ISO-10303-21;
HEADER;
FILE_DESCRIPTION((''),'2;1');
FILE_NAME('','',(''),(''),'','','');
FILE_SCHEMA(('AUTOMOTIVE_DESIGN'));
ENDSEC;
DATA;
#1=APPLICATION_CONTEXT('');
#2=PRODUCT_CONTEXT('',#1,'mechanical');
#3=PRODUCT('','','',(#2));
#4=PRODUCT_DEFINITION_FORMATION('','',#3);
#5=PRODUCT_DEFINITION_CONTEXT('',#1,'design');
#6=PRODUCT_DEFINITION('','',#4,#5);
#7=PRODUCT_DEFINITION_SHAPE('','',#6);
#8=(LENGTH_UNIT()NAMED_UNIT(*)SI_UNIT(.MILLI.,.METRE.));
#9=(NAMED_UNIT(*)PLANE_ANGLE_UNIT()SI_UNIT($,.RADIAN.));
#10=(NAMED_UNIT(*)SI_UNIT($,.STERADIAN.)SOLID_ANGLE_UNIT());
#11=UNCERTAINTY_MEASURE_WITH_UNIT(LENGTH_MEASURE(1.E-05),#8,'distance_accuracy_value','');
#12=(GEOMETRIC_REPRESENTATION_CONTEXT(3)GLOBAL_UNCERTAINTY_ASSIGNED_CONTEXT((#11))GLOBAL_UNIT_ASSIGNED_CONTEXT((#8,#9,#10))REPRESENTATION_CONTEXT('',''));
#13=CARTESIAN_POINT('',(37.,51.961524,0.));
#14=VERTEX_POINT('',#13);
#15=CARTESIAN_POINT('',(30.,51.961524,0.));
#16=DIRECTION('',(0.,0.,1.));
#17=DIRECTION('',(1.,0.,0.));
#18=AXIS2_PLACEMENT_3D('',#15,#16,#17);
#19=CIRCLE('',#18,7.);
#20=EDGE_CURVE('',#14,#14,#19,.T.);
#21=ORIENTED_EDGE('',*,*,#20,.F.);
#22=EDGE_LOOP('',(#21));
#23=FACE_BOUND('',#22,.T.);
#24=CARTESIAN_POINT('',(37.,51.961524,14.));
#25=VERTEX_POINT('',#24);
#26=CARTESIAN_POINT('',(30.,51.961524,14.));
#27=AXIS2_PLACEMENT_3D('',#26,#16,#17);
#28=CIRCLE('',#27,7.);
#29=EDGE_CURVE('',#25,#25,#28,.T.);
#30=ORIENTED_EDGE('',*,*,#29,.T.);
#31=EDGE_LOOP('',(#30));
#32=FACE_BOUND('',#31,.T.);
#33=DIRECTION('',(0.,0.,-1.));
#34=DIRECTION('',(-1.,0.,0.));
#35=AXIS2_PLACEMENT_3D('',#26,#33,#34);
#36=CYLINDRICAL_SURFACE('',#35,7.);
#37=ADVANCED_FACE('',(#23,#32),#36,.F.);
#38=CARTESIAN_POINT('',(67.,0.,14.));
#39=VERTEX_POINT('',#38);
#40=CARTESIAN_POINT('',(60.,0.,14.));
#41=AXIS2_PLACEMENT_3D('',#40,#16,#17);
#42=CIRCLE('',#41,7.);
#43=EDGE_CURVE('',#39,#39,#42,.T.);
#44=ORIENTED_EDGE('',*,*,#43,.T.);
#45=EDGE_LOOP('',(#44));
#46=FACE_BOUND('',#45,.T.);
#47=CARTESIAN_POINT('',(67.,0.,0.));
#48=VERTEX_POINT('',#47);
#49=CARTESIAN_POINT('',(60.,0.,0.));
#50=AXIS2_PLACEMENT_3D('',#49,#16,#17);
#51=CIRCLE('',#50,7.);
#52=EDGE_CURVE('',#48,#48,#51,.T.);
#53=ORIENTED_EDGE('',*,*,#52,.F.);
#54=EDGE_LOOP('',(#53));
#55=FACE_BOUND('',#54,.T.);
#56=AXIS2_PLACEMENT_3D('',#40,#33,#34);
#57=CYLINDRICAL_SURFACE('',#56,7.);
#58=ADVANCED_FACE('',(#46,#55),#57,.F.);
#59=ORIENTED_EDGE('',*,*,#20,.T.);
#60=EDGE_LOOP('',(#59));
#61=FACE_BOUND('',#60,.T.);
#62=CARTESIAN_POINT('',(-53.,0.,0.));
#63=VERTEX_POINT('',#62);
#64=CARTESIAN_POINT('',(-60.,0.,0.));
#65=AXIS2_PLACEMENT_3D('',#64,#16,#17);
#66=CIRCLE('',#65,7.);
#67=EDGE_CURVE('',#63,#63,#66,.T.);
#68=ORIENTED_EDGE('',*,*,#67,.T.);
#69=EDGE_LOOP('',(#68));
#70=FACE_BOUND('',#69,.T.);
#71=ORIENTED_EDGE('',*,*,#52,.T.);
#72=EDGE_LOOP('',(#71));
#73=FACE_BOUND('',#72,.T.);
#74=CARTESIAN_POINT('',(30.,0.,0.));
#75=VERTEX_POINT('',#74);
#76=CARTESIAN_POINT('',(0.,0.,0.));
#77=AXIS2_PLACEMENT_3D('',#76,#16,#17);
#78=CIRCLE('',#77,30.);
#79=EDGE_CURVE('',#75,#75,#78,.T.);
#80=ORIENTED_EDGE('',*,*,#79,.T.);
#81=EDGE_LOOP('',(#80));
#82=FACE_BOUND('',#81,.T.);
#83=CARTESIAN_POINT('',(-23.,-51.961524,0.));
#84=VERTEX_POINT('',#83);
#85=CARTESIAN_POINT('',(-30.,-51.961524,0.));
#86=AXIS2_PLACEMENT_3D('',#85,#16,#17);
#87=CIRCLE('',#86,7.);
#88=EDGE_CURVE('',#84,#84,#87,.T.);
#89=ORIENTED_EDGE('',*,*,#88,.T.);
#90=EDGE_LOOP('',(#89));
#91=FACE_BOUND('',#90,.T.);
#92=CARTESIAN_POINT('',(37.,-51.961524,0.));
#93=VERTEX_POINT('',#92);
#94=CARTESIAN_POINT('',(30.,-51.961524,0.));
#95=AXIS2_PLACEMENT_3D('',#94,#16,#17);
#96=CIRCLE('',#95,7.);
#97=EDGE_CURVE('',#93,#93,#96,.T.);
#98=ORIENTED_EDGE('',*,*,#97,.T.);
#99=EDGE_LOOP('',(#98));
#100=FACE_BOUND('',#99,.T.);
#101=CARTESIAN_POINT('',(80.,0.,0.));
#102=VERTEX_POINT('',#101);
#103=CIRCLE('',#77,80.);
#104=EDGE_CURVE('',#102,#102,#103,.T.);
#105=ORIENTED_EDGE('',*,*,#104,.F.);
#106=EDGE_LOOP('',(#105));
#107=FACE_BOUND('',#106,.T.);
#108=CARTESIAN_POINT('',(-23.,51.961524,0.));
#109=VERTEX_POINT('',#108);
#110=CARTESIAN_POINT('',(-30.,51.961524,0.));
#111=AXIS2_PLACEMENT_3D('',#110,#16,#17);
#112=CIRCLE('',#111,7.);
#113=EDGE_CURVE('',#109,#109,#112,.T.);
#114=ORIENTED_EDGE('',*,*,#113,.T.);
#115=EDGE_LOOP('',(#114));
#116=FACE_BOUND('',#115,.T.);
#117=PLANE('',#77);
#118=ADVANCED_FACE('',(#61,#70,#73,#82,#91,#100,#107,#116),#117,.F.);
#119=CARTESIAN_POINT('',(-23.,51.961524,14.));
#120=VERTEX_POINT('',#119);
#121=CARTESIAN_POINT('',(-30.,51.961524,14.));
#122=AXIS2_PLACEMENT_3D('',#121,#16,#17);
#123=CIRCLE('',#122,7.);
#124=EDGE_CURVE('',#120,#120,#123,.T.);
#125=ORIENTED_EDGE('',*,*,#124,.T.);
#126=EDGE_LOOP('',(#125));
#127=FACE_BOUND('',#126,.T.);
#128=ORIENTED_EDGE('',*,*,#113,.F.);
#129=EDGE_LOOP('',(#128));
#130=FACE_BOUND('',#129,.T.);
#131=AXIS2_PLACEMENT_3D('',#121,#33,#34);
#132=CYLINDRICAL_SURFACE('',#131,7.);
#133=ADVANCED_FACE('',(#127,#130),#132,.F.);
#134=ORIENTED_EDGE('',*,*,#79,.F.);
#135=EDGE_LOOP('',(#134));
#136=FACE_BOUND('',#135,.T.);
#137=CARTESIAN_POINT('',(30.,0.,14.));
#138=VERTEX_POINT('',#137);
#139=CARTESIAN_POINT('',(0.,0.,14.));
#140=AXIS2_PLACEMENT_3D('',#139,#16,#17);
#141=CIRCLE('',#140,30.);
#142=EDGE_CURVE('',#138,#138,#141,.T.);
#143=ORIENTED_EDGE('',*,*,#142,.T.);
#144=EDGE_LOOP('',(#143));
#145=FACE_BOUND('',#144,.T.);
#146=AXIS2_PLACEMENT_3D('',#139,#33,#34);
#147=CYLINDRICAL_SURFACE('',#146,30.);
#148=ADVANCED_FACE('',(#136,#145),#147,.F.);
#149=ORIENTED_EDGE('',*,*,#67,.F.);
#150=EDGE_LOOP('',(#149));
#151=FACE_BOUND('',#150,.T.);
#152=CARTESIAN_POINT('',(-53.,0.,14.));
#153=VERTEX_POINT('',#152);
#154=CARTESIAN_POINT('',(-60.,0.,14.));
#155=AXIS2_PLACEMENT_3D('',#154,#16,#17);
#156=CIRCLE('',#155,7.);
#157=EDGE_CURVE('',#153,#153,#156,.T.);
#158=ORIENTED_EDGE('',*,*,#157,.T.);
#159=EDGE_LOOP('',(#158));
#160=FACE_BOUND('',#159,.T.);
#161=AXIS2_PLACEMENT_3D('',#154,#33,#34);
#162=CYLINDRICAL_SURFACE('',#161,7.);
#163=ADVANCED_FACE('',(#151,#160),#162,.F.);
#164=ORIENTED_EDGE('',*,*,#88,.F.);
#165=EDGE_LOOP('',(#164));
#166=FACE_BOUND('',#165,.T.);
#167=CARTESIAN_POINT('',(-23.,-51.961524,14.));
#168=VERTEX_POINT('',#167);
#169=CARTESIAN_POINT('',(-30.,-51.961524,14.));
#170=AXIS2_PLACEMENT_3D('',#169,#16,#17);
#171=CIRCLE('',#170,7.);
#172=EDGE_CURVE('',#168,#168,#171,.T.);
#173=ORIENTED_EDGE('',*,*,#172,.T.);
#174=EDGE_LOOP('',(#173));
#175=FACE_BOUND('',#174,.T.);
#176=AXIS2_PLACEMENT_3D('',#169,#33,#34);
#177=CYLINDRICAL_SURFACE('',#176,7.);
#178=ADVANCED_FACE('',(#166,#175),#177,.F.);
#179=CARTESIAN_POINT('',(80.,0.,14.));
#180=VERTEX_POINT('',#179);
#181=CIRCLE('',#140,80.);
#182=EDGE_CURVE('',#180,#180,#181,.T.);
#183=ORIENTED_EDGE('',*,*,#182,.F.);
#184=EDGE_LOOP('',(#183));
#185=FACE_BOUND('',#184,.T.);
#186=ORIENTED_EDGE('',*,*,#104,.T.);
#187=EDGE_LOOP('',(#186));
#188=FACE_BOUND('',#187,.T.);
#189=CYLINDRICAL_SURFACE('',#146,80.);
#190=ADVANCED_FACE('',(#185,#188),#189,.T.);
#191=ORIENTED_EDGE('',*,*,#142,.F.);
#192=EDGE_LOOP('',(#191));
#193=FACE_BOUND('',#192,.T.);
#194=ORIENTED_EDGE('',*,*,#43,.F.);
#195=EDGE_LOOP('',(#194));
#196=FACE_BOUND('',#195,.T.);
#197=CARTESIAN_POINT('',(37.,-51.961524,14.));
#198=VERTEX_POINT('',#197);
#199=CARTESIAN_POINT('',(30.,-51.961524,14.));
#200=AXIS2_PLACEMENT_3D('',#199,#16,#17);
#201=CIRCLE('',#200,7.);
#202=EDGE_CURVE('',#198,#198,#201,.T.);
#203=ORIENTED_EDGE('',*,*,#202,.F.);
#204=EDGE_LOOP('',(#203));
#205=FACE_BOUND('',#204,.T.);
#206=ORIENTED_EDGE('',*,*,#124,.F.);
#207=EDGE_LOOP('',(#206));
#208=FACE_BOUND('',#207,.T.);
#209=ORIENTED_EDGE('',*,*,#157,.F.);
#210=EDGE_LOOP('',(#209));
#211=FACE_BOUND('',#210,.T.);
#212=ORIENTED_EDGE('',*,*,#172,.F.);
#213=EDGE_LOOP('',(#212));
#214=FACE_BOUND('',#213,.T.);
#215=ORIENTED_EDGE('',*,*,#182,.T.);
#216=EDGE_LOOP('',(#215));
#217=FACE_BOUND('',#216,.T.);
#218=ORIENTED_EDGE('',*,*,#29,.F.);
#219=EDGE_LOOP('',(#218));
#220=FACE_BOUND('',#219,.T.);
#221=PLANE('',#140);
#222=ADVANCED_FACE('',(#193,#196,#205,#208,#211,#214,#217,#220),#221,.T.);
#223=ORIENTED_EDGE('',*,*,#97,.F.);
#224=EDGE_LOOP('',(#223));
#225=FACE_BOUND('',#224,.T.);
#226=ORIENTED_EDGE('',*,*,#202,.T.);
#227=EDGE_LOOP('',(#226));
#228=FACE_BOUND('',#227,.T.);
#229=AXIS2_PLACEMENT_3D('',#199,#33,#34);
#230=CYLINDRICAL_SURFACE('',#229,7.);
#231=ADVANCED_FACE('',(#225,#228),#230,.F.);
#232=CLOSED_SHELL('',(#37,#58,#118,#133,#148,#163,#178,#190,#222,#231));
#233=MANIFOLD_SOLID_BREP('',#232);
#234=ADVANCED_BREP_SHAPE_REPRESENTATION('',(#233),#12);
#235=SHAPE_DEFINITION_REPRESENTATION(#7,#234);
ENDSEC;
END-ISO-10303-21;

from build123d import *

# Parameters (mm, degrees)
SKETCH_1_R      = 80
SKETCH_1_R_2    = 30
SKETCH_1_R_3    = 7
EXTRUDE_1_DEPTH = 14


with BuildPart() as part:
    # 草图1 → 凸台-拉伸1 (new body)
    with BuildSketch(Plane.XY):
        Circle(SKETCH_1_R)
        Circle(SKETCH_1_R_2, mode=Mode.SUBTRACT)
        with Locations((60, 0)):
            Circle(SKETCH_1_R_3, mode=Mode.SUBTRACT)
        with Locations((30, 51.961524227)):
            Circle(SKETCH_1_R_3, mode=Mode.SUBTRACT)
        with Locations((-30, 51.961524227)):
            Circle(SKETCH_1_R_3, mode=Mode.SUBTRACT)
        with Locations((-60, 0)):
            Circle(SKETCH_1_R_3, mode=Mode.SUBTRACT)
        with Locations((-30, -51.961524227)):
            Circle(SKETCH_1_R_3, mode=Mode.SUBTRACT)
        with Locations((30, -51.961524227)):
            Circle(SKETCH_1_R_3, mode=Mode.SUBTRACT)
    extrude(amount=EXTRUDE_1_DEPTH)


solid = part.part
